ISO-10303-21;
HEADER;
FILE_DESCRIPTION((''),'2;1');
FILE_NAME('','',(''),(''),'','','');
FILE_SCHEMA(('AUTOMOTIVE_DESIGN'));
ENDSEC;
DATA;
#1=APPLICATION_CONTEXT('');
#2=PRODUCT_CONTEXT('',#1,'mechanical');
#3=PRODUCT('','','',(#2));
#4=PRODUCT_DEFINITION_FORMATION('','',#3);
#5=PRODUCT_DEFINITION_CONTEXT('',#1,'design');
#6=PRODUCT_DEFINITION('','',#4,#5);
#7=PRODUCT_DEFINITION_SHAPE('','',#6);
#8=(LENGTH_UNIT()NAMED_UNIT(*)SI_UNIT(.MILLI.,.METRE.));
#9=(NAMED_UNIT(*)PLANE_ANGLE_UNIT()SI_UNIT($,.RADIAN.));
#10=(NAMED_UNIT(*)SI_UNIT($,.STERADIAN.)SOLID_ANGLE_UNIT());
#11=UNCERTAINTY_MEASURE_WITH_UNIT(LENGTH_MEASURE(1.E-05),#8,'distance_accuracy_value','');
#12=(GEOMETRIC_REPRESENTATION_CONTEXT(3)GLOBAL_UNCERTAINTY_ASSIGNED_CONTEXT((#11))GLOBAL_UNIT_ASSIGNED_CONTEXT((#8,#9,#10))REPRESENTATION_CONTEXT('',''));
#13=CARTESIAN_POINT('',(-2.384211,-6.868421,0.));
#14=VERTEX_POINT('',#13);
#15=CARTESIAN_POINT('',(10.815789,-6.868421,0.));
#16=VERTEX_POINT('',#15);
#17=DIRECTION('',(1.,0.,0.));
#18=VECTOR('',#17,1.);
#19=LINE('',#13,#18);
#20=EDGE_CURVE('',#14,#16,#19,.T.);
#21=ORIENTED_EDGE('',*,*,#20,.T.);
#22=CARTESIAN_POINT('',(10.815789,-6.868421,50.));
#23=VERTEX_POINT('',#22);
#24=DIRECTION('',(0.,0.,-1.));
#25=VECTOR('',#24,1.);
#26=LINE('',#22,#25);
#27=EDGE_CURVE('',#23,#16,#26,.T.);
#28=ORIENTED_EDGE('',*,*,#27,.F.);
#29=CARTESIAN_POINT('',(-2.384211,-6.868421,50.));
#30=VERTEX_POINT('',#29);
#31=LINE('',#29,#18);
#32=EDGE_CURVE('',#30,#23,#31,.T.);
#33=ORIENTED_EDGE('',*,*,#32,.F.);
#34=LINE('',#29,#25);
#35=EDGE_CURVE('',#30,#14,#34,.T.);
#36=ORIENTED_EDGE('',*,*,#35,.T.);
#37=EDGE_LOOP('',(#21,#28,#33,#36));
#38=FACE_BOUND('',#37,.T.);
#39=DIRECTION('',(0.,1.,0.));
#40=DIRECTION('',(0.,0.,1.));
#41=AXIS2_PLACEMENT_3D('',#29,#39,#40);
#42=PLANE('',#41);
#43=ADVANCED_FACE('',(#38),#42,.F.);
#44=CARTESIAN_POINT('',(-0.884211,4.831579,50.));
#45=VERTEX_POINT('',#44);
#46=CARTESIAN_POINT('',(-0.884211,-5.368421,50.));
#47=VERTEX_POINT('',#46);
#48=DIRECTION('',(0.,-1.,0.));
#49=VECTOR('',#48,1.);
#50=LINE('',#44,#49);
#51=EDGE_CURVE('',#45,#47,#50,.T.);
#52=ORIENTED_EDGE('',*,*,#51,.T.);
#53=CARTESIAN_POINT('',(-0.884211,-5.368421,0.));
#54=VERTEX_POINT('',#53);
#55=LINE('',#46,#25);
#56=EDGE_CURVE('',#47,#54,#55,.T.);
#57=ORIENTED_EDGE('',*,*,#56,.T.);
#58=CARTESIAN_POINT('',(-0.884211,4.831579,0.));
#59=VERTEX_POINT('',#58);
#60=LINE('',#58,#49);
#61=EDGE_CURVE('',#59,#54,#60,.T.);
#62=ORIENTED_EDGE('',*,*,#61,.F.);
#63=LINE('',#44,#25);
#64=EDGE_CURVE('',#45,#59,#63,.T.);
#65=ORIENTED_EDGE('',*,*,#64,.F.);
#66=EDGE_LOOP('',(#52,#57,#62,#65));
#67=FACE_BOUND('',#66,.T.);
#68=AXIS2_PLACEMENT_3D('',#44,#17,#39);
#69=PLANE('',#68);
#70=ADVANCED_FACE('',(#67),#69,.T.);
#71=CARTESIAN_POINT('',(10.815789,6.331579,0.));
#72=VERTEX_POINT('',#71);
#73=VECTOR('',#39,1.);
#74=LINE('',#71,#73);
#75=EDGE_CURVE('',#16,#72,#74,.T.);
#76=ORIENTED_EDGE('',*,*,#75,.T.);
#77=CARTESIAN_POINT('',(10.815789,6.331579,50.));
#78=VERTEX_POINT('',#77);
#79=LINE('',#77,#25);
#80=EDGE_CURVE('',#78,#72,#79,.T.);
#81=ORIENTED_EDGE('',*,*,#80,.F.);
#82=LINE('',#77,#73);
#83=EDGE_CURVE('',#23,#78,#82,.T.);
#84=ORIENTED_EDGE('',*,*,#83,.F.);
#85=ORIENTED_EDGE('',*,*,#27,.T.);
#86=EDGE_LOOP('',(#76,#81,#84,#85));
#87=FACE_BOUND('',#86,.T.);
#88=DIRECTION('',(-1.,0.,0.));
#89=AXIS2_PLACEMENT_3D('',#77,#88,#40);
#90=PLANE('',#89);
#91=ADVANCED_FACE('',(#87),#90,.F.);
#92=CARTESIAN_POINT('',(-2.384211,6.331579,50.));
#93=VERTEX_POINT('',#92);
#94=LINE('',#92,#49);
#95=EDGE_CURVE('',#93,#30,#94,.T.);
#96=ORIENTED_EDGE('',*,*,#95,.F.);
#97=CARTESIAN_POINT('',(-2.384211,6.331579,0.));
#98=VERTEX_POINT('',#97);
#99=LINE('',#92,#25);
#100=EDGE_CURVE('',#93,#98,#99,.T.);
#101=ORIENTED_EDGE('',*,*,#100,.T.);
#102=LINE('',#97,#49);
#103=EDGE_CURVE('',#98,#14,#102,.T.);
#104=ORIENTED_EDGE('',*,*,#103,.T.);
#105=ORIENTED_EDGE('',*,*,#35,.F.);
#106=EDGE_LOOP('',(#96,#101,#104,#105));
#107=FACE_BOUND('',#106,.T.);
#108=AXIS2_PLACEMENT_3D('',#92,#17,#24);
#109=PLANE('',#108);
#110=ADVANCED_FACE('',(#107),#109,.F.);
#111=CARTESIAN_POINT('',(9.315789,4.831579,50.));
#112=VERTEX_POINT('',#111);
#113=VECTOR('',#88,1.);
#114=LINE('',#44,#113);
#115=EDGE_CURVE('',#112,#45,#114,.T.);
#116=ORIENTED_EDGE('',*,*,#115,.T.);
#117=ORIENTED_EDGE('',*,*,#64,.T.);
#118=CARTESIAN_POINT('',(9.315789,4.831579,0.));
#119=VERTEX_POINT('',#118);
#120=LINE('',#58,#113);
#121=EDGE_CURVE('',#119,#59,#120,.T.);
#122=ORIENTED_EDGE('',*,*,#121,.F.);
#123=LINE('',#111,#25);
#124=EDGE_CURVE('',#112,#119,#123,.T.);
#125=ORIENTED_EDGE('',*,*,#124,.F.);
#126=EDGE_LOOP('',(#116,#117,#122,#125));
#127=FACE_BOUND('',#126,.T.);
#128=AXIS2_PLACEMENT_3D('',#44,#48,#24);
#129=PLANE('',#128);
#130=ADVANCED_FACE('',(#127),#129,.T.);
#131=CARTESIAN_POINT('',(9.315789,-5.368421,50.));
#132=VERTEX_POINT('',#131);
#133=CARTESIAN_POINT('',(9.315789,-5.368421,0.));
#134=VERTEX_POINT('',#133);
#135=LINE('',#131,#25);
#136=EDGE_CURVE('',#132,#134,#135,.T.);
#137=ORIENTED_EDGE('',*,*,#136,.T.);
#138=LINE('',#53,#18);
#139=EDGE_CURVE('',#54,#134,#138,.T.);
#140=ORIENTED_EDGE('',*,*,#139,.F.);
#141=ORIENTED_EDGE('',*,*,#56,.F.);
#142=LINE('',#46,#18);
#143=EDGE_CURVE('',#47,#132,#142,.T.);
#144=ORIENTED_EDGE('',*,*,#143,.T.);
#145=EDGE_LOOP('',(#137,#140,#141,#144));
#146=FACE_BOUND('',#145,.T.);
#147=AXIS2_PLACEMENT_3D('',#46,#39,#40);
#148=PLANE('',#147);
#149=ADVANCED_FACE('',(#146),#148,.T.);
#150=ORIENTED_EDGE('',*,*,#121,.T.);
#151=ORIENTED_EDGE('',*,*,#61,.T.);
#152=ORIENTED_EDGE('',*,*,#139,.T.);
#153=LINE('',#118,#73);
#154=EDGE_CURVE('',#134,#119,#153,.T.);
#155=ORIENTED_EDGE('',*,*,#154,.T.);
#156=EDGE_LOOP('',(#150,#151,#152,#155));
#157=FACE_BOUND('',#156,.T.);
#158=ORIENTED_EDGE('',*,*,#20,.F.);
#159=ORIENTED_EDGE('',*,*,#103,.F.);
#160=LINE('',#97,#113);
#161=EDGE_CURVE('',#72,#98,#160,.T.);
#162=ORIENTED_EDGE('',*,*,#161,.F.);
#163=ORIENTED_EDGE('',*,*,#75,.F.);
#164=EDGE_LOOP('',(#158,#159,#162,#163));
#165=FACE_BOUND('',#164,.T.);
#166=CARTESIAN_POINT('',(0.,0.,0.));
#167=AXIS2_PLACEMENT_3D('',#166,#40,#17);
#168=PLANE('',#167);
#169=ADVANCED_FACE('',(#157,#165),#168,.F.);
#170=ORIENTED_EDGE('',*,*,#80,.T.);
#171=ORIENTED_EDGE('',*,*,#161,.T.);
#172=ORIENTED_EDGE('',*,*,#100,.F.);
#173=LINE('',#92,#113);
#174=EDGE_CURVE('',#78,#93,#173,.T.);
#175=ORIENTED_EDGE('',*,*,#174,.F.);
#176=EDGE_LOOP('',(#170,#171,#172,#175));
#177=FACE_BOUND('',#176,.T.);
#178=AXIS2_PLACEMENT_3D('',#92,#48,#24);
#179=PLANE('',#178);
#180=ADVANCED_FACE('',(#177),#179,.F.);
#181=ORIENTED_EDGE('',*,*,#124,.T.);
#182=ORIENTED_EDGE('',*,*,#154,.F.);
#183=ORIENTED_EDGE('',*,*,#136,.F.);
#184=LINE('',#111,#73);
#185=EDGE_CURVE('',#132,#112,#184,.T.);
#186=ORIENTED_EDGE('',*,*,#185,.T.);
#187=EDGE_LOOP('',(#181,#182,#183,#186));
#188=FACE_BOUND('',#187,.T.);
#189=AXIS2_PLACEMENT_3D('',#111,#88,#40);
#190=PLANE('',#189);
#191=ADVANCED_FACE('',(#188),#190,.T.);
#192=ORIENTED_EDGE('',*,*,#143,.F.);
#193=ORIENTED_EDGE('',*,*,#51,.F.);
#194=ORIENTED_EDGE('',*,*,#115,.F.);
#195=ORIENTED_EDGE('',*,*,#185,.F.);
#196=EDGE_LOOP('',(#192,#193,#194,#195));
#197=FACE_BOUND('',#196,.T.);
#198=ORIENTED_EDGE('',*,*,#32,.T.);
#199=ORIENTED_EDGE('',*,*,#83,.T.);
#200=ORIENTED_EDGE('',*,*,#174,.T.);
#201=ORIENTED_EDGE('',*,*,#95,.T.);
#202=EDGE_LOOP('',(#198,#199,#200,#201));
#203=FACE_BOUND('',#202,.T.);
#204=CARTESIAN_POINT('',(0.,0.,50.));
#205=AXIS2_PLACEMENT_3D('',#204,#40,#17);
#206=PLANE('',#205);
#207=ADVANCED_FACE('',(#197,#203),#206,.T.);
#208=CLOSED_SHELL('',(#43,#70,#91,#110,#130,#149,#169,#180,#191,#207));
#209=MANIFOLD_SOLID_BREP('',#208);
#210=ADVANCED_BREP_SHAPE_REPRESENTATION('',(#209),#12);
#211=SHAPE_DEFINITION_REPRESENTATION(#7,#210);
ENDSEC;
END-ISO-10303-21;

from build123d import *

# Parameters (mm, degrees)
SKETCH1_W           = 13.2
SKETCH1_H           = 13.2
SKETCH1_W_2         = 10.2
SKETCH1_H_2         = 10.2
BOSS_EXTRUDE1_DEPTH = 50


with BuildPart() as part:
    # Sketch1 → Boss-Extrude1 (new body)
    with BuildSketch(Plane.XY):
        with Locations((4.215789474, -0.268421053)):
            Rectangle(SKETCH1_W, SKETCH1_H)
        with Locations((4.215789474, -0.268421053)):
            Rectangle(SKETCH1_W_2, SKETCH1_H_2, mode=Mode.SUBTRACT)
    extrude(amount=BOSS_EXTRUDE1_DEPTH)


solid = part.part
